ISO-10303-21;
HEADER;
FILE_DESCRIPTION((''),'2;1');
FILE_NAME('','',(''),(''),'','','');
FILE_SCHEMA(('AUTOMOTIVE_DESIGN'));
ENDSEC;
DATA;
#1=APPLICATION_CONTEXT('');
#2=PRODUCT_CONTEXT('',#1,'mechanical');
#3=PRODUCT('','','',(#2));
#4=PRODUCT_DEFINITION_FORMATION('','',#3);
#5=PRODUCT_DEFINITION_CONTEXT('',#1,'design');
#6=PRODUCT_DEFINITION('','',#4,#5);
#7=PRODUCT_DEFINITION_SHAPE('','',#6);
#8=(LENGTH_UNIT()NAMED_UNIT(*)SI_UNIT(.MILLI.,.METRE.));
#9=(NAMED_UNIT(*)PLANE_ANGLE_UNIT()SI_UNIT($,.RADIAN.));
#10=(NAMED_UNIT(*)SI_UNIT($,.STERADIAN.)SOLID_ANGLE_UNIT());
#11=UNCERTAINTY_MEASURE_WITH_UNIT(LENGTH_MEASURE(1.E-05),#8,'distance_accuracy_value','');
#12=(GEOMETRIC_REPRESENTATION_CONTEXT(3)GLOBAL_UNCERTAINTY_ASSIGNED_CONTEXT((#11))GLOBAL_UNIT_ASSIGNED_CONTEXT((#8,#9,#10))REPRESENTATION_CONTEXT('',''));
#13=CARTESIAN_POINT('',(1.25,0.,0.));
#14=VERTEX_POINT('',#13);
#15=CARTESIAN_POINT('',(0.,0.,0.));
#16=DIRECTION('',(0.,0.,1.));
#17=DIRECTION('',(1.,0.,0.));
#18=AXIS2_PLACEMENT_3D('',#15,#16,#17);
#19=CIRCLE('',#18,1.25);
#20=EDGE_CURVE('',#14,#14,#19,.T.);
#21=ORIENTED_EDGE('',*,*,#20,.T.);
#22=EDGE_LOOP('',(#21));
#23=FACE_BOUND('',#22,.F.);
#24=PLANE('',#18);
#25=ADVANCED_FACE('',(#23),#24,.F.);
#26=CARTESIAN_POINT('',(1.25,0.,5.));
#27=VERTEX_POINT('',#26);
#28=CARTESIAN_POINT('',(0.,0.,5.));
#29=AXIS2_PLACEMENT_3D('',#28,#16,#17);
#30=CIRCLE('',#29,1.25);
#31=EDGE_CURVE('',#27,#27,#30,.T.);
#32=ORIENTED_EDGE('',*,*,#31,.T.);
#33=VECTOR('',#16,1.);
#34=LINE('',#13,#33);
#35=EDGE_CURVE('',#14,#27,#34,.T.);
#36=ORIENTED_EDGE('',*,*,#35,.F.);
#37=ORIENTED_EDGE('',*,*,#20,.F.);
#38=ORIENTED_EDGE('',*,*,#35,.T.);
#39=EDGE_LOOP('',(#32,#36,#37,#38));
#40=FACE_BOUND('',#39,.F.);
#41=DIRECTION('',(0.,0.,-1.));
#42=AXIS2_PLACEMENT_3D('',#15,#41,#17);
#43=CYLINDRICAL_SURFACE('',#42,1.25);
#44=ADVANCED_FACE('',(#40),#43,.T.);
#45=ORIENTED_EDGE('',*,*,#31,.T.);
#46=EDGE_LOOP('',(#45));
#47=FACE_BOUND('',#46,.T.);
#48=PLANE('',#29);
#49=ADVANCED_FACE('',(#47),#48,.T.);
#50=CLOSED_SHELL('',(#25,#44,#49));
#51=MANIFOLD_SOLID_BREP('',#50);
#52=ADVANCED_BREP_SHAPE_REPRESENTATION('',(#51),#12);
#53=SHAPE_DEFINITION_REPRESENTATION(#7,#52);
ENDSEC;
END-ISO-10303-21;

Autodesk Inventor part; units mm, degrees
ref_plane "YZ Plane" through (0, 0, 0) normal (1, 0, 0) x (0, 1, 0)
ref_plane "XZ Plane" through (0, 0, 0) normal (0, 1, 0) x (-1, 0, 0)
ref_plane "XY Plane" through (0, 0, 0) normal (0, 0, 1) x (1, 0, 0)
sketch "Sketch1" plane through (0, 0, 0) normal (0, 0, 1) x (1, 0, 0)
  circle A0 centre (0, 0) radius 1.25
  dimension "d0" = 2.5
extrude "Extrusion1" add sketch "Sketch1" along normal blind 5
sketch "Sketch2" plane through (0, 0, 0) normal (0, 0, -1) x (-1, 0, 0)
  circle A0 centre (0, 0) radius 1.25 projected
properties part number "bigred"
